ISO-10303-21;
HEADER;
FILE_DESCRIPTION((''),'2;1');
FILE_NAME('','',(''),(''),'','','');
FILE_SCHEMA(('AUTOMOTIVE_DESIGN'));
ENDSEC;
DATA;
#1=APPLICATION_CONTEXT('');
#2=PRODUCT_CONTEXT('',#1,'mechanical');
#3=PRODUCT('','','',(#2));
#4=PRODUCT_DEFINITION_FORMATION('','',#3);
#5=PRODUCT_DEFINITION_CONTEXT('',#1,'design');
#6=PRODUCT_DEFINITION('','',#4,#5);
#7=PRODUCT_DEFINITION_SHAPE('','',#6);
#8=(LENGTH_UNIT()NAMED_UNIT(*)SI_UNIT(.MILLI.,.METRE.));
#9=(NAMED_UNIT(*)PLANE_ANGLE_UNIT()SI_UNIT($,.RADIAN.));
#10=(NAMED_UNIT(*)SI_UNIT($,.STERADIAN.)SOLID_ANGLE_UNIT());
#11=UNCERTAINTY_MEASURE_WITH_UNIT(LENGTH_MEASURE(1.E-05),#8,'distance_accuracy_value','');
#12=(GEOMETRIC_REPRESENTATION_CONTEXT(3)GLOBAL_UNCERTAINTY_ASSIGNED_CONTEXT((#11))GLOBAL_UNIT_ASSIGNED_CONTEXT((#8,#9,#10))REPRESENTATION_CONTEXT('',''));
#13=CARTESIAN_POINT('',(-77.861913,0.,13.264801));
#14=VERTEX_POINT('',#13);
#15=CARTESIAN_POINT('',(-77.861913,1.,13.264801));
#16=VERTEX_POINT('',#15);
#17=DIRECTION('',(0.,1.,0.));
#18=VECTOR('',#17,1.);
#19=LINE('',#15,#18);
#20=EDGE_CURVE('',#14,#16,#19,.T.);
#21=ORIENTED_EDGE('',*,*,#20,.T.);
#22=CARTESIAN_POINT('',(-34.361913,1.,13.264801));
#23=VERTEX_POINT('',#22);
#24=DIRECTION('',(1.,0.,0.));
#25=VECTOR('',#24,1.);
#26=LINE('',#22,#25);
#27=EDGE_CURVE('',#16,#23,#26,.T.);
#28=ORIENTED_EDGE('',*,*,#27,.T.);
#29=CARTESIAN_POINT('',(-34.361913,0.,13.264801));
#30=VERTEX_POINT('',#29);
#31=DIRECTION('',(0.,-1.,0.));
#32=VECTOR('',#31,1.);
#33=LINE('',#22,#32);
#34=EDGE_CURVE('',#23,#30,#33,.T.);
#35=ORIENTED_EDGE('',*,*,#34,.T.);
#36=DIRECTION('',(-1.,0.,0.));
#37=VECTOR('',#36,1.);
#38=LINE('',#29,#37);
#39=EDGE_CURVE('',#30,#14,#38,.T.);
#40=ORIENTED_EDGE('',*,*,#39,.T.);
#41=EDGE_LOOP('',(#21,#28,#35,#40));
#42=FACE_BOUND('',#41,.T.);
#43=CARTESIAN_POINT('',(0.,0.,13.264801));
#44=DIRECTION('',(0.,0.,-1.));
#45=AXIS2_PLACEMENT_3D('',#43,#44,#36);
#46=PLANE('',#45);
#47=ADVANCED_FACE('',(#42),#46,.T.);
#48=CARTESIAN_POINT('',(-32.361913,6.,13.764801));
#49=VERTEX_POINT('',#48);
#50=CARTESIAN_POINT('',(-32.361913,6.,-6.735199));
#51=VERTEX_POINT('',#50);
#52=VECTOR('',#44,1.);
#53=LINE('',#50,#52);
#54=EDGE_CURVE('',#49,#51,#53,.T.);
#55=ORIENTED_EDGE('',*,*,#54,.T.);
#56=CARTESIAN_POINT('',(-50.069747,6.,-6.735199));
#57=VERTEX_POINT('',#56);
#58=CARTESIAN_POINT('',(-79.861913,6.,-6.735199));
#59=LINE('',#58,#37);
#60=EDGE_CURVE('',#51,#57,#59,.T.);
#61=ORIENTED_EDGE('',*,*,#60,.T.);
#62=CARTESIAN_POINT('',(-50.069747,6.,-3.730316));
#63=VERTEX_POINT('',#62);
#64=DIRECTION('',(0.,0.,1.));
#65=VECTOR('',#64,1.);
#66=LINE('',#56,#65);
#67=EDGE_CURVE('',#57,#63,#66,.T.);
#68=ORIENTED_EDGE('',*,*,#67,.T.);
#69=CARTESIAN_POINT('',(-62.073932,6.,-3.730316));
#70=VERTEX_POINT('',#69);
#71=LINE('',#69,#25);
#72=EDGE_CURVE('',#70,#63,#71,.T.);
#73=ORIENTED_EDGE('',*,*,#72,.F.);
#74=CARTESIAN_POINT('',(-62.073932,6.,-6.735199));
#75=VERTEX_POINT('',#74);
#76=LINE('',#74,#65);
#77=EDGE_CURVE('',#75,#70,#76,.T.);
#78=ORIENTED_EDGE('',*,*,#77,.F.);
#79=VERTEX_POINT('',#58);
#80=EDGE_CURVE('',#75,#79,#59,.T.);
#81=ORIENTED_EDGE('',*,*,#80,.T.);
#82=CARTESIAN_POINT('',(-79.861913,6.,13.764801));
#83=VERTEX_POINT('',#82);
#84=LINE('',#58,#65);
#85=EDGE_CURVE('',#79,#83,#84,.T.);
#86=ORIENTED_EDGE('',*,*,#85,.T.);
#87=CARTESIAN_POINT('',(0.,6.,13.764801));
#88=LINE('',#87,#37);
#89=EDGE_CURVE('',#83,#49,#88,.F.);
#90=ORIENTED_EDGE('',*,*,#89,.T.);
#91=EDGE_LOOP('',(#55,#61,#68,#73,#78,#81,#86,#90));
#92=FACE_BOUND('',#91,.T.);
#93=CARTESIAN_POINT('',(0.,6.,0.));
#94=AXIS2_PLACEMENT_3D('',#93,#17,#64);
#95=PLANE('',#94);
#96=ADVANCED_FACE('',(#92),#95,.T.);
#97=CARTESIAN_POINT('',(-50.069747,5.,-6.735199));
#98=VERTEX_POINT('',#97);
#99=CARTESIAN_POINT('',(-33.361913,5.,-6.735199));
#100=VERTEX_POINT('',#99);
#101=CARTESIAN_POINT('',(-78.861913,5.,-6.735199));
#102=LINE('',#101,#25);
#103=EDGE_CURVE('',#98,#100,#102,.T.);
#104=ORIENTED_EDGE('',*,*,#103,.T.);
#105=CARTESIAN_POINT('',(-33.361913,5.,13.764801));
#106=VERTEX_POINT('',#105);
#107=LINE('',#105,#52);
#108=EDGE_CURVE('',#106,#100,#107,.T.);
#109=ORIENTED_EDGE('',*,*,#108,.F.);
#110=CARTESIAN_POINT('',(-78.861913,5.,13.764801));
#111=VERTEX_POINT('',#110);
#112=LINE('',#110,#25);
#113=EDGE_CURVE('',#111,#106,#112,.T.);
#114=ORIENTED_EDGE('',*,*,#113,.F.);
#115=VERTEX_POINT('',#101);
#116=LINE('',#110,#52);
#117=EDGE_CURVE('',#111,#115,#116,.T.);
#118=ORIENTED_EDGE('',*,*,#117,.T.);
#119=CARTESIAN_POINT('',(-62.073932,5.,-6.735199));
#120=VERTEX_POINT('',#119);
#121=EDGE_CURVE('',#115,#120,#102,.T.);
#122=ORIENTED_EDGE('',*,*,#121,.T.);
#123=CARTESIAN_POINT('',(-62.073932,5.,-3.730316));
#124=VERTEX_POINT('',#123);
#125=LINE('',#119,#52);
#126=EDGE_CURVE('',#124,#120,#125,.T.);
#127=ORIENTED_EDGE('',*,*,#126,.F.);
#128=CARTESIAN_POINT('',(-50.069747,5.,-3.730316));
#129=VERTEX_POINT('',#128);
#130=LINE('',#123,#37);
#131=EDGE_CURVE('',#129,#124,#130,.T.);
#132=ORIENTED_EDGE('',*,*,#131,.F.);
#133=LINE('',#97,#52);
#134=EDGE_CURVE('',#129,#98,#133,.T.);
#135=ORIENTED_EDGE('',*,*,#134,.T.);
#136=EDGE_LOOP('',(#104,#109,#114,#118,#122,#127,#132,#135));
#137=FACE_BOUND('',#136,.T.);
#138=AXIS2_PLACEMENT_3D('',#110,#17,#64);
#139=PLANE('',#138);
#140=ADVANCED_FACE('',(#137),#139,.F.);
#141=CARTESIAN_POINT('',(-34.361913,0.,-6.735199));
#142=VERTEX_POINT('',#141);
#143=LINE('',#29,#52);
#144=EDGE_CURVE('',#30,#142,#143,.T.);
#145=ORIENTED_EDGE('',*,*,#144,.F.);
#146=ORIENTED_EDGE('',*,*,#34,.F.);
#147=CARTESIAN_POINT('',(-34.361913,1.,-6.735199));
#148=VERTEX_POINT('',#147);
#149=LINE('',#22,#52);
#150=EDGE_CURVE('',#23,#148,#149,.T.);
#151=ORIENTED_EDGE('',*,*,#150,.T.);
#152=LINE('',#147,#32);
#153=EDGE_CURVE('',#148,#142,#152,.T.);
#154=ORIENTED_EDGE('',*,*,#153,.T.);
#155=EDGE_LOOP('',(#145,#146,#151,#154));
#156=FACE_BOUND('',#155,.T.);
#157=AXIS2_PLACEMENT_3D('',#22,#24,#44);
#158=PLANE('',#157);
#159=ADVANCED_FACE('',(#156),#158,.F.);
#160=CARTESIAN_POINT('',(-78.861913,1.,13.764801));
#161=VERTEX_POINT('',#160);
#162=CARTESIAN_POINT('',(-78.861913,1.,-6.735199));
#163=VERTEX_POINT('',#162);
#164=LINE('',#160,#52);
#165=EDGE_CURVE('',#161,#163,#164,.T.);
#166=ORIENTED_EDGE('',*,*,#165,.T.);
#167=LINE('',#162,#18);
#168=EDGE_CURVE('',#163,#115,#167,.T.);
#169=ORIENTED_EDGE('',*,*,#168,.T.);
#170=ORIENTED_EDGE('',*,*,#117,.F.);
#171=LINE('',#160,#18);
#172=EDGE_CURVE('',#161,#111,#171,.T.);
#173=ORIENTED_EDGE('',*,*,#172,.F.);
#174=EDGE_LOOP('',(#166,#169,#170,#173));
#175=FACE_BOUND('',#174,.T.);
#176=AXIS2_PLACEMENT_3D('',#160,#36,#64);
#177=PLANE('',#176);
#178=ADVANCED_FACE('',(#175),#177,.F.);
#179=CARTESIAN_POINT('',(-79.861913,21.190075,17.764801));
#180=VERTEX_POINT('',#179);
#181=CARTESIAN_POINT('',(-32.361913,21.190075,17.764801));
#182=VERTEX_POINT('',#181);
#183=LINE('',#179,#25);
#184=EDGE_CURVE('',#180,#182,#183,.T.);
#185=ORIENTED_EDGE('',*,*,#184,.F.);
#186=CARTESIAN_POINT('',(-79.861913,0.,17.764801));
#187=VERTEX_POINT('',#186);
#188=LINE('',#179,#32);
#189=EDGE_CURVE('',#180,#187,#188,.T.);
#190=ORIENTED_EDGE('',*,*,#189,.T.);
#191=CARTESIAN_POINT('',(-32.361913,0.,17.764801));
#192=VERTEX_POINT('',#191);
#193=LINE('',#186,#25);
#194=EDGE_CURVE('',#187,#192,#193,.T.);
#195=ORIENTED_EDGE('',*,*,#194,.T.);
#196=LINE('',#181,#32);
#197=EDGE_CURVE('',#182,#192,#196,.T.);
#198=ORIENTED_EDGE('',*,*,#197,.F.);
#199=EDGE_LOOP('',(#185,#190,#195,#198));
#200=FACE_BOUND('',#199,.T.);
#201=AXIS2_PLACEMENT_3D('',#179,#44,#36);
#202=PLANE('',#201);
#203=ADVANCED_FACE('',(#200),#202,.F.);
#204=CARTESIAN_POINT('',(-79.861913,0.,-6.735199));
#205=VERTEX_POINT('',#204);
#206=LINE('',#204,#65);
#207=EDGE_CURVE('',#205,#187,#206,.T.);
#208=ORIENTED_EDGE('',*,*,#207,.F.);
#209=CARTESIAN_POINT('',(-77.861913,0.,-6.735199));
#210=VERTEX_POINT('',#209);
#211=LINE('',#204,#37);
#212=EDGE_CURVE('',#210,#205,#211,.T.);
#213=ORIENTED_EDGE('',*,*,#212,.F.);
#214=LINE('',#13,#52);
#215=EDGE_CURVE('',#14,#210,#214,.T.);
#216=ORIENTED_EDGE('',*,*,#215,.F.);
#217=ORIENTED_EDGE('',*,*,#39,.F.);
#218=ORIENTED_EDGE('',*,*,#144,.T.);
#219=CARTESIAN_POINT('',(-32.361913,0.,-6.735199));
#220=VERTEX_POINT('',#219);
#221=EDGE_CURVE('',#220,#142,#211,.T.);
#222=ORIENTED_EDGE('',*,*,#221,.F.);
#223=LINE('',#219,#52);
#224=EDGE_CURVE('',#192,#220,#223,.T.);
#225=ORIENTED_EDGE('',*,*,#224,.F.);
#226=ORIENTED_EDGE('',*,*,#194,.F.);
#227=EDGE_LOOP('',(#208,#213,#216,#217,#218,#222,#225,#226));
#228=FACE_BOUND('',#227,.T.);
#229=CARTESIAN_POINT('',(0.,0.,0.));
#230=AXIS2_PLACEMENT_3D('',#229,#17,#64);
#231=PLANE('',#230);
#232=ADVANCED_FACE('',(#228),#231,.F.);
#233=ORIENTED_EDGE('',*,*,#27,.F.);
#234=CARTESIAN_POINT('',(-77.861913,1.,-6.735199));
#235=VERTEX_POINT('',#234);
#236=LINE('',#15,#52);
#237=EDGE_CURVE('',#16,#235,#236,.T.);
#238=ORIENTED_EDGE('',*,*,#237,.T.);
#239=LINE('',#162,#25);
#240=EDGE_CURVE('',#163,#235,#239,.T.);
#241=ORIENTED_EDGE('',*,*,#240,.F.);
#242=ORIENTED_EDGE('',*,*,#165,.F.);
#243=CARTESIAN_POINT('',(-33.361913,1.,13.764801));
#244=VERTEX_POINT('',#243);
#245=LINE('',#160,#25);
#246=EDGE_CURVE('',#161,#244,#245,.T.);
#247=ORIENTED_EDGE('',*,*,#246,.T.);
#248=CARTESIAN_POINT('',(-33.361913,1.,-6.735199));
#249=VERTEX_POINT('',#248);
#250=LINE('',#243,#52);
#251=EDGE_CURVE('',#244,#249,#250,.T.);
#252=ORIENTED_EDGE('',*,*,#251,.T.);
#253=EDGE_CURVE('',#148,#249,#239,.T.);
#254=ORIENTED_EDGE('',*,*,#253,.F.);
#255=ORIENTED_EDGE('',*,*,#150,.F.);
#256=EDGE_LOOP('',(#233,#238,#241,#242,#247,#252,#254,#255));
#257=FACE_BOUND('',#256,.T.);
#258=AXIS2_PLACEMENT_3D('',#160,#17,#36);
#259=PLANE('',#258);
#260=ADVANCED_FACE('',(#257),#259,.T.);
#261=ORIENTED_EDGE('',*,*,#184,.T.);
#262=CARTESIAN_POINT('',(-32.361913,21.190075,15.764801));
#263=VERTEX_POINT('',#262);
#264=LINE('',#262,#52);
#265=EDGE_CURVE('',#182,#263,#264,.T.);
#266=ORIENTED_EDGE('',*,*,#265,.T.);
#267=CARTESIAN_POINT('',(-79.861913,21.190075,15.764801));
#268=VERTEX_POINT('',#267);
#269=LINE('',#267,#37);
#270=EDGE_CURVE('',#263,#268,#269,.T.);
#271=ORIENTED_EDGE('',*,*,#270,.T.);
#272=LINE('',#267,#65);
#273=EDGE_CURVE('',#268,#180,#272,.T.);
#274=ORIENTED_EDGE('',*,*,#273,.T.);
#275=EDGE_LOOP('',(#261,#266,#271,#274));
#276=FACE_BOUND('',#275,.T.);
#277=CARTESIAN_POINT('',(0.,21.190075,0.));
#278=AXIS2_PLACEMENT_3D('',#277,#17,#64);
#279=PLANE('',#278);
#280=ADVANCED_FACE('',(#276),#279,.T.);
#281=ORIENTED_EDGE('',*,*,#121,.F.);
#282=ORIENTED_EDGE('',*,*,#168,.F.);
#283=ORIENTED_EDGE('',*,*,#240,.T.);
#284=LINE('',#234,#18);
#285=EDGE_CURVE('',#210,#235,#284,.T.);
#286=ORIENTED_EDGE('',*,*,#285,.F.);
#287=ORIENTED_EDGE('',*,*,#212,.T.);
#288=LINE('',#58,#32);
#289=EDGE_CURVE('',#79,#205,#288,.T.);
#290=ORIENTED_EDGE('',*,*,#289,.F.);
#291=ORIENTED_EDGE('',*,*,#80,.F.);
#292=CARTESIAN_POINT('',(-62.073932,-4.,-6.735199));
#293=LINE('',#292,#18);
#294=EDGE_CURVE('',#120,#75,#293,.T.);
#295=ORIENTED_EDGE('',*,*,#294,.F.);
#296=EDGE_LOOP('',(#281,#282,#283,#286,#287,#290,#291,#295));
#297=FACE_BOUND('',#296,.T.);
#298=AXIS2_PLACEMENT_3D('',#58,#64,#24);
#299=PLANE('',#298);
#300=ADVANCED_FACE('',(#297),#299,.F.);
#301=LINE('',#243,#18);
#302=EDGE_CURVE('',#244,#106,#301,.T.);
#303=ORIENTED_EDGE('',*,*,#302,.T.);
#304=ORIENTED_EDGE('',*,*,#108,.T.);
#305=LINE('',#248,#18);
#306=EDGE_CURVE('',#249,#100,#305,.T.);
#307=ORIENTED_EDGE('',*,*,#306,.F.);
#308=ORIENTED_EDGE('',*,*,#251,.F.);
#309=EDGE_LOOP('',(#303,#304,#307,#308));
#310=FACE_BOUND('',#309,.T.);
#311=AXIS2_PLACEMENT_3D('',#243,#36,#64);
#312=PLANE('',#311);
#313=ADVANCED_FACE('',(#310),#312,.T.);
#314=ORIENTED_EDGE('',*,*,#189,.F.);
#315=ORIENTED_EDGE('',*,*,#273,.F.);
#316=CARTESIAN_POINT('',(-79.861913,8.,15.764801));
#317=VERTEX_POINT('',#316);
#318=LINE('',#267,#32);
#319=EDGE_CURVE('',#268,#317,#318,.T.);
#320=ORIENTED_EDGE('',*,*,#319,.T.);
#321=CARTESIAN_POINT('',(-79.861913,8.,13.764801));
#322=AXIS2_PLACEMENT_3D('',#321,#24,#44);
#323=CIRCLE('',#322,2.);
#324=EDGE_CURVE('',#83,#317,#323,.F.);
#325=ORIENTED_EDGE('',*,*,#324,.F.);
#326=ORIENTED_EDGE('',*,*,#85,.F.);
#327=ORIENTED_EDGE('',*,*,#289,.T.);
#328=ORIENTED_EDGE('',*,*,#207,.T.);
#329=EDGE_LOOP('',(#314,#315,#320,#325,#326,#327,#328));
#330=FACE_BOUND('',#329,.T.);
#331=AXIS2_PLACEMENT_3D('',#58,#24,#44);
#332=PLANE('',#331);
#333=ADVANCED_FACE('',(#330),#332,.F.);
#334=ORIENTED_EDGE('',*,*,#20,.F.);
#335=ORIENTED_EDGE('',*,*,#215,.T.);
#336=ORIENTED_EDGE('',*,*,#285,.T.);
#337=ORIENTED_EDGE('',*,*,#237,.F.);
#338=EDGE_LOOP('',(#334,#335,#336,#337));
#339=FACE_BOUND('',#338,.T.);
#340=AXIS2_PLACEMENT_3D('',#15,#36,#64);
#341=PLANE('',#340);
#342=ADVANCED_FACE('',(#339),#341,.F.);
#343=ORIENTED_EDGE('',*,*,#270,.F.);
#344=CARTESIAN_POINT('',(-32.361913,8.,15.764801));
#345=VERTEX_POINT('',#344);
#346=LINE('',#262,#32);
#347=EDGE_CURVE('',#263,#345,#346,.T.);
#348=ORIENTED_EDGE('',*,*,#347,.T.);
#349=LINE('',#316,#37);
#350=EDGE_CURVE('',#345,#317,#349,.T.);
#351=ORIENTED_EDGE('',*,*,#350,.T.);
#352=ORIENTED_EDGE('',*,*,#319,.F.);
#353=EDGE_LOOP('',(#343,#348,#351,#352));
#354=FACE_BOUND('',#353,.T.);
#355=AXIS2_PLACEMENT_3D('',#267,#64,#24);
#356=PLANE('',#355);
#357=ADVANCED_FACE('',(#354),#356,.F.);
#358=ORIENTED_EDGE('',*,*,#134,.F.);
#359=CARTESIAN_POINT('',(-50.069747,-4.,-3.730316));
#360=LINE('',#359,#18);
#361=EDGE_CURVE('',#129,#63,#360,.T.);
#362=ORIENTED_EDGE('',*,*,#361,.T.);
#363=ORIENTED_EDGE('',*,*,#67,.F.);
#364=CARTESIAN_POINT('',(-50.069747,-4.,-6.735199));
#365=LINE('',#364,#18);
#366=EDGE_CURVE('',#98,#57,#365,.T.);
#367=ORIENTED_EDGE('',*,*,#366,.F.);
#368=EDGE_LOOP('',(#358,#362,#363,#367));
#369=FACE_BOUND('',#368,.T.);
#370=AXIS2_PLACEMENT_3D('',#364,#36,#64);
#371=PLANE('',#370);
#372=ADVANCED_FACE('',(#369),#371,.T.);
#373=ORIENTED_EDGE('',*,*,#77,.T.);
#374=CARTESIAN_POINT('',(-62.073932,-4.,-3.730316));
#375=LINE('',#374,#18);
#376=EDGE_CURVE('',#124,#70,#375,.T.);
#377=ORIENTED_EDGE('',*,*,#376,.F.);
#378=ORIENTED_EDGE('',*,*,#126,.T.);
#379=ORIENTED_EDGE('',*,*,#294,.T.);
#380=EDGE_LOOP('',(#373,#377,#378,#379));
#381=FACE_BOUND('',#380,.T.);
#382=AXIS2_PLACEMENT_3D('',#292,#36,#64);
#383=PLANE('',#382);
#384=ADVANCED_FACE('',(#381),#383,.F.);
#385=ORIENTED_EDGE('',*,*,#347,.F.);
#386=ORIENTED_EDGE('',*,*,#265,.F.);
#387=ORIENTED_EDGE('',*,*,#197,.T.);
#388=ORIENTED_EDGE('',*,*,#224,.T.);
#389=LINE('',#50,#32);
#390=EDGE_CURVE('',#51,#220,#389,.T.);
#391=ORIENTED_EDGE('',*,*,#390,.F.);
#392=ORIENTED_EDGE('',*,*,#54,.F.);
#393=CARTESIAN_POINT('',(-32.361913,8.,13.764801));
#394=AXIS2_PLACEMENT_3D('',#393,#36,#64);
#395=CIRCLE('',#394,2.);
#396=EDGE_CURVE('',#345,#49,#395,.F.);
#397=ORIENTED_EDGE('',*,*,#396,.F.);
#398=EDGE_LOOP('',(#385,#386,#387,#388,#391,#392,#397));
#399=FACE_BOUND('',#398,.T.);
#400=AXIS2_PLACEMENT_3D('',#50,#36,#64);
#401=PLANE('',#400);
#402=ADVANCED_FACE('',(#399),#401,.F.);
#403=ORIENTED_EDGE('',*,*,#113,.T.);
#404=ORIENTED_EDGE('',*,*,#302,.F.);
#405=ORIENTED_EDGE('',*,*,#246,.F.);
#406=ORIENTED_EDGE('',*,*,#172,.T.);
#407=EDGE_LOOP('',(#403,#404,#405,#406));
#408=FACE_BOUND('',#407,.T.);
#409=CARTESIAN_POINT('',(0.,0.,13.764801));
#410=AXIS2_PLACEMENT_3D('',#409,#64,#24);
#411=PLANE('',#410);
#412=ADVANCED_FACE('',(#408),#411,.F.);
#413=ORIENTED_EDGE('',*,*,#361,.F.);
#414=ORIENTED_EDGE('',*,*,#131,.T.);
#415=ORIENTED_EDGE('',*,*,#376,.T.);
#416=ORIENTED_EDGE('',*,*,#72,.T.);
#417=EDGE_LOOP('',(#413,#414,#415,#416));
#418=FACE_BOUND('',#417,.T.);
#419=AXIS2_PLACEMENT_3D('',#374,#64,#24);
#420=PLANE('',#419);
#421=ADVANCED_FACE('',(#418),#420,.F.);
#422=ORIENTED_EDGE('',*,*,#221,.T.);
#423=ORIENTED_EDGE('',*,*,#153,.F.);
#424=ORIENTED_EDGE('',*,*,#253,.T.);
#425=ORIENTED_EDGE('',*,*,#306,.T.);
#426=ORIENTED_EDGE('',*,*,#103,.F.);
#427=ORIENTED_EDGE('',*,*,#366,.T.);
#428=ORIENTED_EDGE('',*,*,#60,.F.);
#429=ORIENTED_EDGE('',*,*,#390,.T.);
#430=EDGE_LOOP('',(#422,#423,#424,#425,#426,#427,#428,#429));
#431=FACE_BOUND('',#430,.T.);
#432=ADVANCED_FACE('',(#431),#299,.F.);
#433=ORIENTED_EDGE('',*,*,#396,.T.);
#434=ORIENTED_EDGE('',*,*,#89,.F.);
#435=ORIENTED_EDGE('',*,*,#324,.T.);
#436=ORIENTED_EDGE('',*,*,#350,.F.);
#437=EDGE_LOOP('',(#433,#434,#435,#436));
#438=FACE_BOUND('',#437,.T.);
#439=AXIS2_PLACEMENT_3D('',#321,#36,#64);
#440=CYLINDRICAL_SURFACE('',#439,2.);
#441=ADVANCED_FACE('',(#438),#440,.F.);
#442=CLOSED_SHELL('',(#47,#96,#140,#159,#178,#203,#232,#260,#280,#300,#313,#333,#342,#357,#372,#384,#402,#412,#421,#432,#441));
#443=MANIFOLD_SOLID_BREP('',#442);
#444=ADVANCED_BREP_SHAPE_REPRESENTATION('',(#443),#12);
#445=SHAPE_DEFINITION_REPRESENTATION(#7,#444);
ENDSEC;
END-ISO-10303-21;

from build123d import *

# Parameters (mm, degrees)
SKETCH3_W           = 47.5
SKETCH3_H           = 22.5
BOSS_EXTRUDE1_DEPTH = 6
SKETCH74_W          = 12.004185621
SKETCH74_H          = 3.004883548
CUT_EXTRUDE6_DEPTH  = 10
SKETCH79_W          = 47.5
SKETCH79_H          = 2
BOSS_EXTRUDE2_DEPTH = 21.190075336
FILLET6_R           = 2
SKETCH82_W          = 45.5
SKETCH82_H          = 4
CUT_EXTRUDE7_DEPTH  = 20.5
SKETCH84_W          = 43.5
SKETCH84_H          = 1
CUT_EXTRUDE8_DEPTH  = 20


with BuildPart() as part:
    # Sketch3 → Boss-Extrude1 (new body)
    with BuildSketch(Plane(origin=(0, 0, 0), x_dir=(1, 0, 0), z_dir=(0, 1, 0))):
        with Locations((-56.111912524, -4.514800621)):
            Rectangle(SKETCH3_W, SKETCH3_H)
    extrude(amount=BOSS_EXTRUDE1_DEPTH)

    # Sketch74 → Cut-Extrude6 (cut)
    with BuildSketch(Plane(origin=(0, 6, 0), x_dir=(1, 0, 0), z_dir=(0, 1, 0))):
        with Locations((-56.07183951, 5.232757605)):
            Rectangle(SKETCH74_W, SKETCH74_H)
    extrude(amount=-CUT_EXTRUDE6_DEPTH, mode=Mode.SUBTRACT)

    # Sketch79 → Boss-Extrude2 (add)
    with BuildSketch(Plane(origin=(0, 0, 0), x_dir=(1, 0, 0), z_dir=(0, 1, 0))):
        with Locations((-56.111912524, -16.764800621)):
            Rectangle(SKETCH79_W, SKETCH79_H)
    extrude(amount=BOSS_EXTRUDE2_DEPTH)

    # Fillet6
    fillet6_edges = [part.edges().sort_by_distance(p)[0] for p in [
        (-56.111912524, 6, 15.764800621),
    ]]
    fillet(fillet6_edges, radius=FILLET6_R)

    # Sketch82 → Cut-Extrude7 (cut)
    with BuildSketch(Plane(origin=(0, 0, -6.735199379), x_dir=(-1, 0, 0), z_dir=(0, 0, -1))):
        with Locations((56.111912524, 3)):
            Rectangle(SKETCH82_W, SKETCH82_H)
    extrude(amount=-CUT_EXTRUDE7_DEPTH, mode=Mode.SUBTRACT)

    # Sketch84 → Cut-Extrude8 (cut)
    with BuildSketch(Plane(origin=(0, 0, -6.735199379), x_dir=(-1, 0, 0), z_dir=(0, 0, -1))):
        with Locations((56.111912524, 0.5)):
            Rectangle(SKETCH84_W, SKETCH84_H)
    extrude(amount=-CUT_EXTRUDE8_DEPTH, mode=Mode.SUBTRACT)


solid = part.part
